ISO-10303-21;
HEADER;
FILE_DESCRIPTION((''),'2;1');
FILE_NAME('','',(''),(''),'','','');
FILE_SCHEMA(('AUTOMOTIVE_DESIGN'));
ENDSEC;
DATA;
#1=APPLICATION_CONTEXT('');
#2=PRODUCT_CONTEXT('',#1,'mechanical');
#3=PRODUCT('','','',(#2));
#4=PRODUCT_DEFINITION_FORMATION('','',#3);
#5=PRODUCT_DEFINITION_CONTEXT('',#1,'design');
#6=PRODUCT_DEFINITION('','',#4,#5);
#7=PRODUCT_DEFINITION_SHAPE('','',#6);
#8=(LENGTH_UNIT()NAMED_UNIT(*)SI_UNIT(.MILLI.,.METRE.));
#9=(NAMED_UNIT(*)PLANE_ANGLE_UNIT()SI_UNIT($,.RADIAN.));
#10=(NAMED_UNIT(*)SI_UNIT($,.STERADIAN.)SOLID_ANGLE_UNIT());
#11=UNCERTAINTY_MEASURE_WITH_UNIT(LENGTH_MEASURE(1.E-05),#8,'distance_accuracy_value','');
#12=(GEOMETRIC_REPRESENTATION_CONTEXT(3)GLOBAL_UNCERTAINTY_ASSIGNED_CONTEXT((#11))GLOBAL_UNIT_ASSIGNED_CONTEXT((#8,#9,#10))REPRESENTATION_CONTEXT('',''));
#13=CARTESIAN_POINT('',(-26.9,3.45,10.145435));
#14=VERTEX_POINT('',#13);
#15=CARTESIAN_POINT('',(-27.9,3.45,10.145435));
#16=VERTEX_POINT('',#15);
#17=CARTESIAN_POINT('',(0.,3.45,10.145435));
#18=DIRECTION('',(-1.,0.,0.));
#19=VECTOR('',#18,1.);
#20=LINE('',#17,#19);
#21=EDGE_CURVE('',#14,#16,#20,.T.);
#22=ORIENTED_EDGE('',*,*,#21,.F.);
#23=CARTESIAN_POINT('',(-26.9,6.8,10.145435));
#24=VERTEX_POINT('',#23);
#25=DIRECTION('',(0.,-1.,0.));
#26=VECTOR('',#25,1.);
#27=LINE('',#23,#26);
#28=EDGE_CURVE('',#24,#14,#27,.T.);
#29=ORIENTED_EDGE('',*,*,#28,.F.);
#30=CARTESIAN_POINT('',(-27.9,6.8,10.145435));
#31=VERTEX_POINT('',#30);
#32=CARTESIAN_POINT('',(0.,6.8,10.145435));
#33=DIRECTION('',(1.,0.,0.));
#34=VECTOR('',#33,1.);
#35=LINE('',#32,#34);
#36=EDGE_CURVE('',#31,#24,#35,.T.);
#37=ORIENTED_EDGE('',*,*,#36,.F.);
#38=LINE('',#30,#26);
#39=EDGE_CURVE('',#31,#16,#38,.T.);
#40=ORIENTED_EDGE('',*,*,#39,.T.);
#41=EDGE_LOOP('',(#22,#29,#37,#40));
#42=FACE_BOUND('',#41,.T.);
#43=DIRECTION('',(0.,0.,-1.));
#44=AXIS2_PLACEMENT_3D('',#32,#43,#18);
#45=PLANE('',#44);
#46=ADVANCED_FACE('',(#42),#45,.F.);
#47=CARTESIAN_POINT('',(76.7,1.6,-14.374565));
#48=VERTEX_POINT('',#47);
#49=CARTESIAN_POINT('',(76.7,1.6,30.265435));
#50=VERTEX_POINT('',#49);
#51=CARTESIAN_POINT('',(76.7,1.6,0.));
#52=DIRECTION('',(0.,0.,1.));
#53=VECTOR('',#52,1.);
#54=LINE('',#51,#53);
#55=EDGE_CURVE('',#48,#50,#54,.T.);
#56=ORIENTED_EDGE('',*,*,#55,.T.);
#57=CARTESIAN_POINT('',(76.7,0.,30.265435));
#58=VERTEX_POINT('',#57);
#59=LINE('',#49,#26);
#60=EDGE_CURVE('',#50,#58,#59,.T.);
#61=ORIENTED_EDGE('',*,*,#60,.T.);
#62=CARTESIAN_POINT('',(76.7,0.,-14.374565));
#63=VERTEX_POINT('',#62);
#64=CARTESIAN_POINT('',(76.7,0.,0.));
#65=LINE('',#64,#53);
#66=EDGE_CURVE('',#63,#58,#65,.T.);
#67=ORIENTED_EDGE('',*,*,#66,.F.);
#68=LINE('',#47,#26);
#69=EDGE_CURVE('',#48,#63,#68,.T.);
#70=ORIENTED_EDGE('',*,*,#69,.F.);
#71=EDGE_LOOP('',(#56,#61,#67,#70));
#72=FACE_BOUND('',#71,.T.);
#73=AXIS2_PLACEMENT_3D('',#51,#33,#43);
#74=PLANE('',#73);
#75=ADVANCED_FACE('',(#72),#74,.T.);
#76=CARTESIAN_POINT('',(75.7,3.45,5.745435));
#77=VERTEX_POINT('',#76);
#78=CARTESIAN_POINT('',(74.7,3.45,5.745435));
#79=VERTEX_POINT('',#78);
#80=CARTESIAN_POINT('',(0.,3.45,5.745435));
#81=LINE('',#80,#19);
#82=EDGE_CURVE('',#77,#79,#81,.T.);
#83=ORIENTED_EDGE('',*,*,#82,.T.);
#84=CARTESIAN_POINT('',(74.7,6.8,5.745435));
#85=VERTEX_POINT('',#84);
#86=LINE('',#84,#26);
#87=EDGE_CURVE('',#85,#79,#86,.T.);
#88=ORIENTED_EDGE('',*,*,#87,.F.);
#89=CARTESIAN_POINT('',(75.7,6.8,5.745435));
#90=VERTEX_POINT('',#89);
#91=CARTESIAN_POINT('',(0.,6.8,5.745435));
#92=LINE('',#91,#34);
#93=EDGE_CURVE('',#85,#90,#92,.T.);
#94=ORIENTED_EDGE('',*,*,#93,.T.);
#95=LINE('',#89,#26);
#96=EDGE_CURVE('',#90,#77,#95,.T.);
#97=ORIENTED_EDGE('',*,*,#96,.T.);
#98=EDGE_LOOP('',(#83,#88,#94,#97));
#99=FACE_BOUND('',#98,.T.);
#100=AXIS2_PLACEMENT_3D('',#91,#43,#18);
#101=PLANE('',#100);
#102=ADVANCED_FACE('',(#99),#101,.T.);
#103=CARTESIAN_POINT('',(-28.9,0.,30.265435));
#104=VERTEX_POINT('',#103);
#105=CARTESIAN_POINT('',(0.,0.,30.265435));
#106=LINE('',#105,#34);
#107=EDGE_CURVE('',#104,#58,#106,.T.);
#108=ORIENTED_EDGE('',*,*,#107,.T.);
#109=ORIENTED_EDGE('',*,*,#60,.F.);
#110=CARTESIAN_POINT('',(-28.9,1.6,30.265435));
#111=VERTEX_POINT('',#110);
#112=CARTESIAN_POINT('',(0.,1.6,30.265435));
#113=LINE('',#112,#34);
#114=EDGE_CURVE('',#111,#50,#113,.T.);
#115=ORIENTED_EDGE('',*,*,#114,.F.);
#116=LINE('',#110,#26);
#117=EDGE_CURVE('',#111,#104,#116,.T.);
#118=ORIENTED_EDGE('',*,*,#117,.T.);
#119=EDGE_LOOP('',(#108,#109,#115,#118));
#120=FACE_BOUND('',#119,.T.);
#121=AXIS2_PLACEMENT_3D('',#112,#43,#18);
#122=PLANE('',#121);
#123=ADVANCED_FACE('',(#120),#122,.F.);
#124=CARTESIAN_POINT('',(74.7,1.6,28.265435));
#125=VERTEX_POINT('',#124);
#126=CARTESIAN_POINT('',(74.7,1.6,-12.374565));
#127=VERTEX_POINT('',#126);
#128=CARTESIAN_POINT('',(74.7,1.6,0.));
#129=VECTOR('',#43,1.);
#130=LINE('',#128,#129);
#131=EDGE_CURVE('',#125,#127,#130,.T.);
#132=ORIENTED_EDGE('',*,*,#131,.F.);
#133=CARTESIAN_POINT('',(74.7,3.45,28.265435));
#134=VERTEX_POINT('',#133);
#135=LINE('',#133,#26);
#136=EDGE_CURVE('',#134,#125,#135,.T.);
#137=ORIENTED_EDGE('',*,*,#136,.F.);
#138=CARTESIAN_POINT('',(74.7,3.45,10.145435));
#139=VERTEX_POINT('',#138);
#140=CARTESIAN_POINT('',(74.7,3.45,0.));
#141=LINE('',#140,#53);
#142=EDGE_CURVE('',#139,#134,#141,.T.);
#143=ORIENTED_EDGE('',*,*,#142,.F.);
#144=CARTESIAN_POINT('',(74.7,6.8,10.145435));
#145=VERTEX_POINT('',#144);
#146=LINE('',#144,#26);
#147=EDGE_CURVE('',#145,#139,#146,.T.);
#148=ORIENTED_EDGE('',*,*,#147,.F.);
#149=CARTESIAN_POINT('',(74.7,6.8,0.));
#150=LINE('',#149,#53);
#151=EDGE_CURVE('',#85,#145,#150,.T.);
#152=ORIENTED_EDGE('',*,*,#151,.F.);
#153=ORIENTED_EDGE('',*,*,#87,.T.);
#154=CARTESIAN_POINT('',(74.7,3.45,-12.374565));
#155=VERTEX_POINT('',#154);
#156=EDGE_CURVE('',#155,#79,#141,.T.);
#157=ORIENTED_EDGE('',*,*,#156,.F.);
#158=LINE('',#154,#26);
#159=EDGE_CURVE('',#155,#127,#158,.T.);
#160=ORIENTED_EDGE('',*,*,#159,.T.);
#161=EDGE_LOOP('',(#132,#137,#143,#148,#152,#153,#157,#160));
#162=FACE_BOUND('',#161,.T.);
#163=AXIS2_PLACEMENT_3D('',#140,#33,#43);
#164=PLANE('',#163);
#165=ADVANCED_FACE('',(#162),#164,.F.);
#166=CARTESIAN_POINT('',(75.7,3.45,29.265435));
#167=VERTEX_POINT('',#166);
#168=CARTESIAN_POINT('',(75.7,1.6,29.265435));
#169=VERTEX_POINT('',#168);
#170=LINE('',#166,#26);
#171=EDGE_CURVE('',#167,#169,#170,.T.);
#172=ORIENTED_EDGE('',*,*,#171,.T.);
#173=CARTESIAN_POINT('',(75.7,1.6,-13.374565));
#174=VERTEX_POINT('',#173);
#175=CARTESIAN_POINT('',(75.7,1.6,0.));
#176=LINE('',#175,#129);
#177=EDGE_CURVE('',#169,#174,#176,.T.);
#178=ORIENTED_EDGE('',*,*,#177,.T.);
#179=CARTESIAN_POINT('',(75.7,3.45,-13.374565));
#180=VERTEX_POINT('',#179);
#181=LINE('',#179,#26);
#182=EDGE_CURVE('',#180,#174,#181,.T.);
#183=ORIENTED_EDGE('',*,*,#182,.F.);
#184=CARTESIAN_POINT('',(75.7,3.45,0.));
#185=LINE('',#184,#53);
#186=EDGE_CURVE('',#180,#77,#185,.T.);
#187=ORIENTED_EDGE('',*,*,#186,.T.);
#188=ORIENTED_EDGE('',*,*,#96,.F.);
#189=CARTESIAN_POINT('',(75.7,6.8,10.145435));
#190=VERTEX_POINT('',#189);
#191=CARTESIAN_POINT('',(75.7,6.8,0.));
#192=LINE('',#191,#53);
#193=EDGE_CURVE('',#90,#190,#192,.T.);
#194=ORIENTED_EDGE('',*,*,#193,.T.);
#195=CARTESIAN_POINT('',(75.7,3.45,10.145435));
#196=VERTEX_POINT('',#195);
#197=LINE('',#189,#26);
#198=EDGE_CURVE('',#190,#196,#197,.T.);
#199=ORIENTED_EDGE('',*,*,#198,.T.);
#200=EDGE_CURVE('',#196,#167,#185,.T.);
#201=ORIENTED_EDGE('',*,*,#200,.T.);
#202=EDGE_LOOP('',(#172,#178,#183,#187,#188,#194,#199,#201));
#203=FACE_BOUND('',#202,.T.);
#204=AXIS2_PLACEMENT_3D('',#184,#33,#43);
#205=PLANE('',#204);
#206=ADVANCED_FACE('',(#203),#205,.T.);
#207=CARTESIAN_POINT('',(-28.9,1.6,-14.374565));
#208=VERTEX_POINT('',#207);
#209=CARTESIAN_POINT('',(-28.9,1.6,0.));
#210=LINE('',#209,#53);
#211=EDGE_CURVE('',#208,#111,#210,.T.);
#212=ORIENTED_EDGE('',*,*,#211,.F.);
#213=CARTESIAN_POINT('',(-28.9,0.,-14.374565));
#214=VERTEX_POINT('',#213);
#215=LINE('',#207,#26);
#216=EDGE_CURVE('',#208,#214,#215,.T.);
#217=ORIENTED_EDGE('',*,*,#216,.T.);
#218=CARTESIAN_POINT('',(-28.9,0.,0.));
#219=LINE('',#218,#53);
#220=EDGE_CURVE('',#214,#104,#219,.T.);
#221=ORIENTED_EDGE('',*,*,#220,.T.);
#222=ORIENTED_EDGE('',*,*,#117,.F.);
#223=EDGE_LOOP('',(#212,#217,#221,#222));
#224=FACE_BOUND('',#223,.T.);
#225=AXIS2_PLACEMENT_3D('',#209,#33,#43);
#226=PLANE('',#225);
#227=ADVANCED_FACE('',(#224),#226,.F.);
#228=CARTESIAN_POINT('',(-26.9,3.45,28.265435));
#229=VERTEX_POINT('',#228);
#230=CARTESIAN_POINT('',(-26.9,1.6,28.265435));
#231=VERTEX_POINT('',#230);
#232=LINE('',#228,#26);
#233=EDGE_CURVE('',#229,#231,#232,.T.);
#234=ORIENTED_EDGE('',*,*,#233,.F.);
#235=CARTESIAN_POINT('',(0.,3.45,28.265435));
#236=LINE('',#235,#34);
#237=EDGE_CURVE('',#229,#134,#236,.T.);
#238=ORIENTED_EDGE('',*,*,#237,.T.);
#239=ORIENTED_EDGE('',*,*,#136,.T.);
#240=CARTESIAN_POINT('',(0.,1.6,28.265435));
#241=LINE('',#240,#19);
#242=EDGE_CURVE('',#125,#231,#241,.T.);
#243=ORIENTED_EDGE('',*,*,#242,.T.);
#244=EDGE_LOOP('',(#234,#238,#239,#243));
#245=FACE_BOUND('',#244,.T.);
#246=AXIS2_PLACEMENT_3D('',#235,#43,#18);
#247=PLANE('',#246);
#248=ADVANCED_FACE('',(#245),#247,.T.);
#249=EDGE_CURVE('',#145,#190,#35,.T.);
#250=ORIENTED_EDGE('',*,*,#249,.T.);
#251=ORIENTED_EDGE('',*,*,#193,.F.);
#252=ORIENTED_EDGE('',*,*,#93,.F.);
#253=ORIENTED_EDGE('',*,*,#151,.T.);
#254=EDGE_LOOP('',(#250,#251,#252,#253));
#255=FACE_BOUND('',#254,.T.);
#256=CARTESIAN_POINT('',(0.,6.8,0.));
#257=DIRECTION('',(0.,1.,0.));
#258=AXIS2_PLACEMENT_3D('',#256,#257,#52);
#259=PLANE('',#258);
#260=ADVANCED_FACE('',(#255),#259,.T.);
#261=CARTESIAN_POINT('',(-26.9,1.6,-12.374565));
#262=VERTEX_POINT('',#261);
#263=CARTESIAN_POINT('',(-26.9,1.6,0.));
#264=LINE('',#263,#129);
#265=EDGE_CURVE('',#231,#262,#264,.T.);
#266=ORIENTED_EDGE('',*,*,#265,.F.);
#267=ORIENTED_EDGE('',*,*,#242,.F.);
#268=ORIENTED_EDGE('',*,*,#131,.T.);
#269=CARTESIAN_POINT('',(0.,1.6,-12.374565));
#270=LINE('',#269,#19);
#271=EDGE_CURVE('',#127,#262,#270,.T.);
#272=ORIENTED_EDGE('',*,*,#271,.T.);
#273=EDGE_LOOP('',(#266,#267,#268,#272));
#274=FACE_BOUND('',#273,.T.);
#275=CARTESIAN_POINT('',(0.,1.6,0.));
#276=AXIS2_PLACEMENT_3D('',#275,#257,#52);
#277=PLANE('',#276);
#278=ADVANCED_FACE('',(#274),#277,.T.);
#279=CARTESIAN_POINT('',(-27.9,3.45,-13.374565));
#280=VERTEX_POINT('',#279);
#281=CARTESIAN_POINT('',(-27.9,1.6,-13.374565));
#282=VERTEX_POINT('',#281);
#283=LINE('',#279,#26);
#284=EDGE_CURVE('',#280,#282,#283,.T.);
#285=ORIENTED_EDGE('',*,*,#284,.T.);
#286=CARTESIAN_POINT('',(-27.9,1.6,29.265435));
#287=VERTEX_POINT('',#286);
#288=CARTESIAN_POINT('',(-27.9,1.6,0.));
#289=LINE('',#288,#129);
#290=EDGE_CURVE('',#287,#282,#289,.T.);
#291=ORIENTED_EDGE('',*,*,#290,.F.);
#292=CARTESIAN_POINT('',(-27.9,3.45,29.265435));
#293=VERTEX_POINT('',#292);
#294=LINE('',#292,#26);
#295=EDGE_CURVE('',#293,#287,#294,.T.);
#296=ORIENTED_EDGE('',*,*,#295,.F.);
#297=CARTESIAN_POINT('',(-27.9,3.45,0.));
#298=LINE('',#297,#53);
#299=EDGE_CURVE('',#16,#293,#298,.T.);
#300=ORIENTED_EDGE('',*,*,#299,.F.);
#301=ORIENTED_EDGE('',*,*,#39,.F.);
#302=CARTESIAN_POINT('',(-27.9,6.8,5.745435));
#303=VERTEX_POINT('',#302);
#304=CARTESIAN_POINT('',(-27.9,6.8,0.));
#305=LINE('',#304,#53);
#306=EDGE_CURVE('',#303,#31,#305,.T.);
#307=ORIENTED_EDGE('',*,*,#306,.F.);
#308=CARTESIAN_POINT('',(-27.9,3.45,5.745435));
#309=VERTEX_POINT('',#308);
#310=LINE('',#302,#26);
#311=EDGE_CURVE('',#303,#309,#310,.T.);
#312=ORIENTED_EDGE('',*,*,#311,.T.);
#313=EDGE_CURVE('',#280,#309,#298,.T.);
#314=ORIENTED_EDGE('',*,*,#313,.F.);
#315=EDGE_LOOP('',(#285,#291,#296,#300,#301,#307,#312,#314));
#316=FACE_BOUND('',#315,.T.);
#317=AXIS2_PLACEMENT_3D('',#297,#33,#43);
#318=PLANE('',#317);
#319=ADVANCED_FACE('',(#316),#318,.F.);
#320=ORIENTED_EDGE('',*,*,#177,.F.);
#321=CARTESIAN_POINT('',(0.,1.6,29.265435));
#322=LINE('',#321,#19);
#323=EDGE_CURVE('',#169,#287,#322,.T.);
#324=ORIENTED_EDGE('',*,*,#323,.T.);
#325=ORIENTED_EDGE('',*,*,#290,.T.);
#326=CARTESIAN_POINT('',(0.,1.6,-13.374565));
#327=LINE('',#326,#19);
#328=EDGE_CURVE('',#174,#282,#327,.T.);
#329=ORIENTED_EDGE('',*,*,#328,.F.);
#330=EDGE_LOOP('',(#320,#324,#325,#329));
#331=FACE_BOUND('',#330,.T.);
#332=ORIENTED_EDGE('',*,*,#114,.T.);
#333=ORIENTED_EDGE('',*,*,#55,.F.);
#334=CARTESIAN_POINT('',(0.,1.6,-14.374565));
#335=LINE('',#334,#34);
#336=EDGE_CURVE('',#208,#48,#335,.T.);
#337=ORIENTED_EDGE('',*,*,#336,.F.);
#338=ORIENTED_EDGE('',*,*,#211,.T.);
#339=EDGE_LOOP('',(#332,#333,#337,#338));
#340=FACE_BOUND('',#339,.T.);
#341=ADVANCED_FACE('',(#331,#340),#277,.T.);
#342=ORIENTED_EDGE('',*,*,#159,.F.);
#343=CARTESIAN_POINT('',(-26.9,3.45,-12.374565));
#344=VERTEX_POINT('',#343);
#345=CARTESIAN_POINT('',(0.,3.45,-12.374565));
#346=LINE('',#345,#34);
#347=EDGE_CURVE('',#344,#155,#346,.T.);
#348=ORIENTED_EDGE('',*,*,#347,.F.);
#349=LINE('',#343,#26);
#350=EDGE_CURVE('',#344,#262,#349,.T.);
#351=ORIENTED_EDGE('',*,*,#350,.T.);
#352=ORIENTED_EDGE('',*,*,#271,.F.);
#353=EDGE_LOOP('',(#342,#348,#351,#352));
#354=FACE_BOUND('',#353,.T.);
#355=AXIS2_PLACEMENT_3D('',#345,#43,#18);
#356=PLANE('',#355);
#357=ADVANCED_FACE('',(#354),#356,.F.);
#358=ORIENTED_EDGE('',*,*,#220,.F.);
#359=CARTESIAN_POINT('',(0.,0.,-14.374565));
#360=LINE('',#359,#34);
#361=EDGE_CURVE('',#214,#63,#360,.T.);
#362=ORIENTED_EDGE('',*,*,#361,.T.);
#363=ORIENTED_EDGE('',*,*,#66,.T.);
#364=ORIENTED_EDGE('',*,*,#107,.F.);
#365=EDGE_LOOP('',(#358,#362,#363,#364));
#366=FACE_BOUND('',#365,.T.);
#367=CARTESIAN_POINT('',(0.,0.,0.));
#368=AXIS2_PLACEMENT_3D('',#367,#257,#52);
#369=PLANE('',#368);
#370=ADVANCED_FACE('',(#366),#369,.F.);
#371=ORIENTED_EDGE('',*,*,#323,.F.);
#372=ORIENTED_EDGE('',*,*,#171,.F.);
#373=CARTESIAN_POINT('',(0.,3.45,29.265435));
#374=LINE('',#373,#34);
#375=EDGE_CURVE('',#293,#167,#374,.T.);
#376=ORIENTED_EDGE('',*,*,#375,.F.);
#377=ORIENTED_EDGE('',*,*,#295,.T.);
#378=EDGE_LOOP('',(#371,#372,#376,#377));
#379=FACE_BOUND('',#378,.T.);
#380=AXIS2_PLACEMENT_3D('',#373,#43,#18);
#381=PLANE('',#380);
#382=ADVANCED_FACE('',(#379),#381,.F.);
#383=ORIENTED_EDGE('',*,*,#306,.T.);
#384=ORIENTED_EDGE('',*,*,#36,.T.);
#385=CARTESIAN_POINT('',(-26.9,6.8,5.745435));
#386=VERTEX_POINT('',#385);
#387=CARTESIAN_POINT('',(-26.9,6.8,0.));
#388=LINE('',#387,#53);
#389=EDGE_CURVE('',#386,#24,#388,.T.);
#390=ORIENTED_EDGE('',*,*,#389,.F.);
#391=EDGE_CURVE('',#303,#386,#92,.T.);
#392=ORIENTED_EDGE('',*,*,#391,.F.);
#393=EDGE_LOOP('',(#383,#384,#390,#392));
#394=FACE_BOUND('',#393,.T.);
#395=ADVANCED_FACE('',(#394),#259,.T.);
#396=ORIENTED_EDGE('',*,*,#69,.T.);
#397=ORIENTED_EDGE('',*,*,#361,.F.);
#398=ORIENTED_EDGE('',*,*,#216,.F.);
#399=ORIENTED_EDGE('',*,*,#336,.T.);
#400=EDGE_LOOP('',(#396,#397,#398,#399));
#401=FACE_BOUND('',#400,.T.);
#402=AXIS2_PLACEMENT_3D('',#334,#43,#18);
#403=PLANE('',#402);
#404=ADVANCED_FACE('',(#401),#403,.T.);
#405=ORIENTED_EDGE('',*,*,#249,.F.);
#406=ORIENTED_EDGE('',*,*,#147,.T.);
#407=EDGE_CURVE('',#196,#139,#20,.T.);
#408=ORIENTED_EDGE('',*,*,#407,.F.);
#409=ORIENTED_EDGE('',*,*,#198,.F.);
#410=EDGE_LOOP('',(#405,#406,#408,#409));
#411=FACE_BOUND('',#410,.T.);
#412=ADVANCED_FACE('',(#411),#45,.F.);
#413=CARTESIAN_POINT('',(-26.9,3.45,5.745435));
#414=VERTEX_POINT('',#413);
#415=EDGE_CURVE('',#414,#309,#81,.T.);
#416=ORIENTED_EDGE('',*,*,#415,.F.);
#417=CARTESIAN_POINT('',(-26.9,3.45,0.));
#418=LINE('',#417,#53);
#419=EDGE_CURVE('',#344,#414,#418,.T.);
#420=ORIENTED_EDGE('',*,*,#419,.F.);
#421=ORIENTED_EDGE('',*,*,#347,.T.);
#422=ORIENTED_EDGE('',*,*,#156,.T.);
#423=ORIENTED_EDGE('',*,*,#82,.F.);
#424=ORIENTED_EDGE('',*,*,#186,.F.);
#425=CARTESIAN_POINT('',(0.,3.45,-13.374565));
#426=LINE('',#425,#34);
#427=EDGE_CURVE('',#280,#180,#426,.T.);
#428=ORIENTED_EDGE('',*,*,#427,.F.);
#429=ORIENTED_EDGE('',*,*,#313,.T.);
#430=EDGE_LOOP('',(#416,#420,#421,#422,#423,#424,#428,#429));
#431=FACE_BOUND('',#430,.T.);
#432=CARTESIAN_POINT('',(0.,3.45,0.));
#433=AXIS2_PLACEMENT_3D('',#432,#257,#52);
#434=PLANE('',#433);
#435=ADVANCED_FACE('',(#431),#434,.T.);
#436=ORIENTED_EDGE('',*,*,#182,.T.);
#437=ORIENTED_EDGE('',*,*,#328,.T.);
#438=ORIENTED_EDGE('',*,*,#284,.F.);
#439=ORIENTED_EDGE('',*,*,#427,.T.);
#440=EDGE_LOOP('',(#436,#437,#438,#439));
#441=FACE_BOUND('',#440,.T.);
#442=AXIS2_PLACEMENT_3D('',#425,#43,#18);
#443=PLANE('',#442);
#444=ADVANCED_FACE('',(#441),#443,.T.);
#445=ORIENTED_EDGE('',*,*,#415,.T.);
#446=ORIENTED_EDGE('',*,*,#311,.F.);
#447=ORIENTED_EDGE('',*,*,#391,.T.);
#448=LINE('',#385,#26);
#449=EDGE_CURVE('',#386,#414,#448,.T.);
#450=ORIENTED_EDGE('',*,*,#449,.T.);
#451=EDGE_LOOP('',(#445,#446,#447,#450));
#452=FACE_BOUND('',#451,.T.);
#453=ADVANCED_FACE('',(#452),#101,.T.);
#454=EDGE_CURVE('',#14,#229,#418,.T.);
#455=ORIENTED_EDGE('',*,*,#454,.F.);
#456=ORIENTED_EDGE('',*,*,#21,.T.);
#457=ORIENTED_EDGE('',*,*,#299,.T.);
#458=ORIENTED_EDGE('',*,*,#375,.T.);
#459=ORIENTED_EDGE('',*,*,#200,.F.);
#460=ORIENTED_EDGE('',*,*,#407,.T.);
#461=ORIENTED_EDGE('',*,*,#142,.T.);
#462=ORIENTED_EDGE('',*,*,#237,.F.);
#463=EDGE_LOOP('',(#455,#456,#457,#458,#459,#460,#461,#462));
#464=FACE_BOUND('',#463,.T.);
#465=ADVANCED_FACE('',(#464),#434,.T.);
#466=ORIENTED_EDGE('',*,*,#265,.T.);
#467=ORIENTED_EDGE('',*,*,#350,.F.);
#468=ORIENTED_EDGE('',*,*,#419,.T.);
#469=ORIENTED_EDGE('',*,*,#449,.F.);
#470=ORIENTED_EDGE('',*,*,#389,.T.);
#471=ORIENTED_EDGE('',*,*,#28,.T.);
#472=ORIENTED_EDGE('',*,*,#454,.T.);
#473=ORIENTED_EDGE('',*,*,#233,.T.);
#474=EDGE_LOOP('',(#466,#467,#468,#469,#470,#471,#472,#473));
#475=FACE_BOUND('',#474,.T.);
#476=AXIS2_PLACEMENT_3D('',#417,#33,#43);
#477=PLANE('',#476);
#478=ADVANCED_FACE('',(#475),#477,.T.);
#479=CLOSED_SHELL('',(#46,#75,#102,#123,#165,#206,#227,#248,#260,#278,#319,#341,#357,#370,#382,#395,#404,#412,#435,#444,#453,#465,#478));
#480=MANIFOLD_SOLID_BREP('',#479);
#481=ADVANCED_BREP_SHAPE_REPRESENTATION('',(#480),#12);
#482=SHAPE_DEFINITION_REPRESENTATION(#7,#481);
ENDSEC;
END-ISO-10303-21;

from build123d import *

# Parameters (mm, degrees)
SKETCH1_W           = 105.6
SKETCH1_H           = 44.64
BOSS_EXTRUDE1_DEPTH = 1.6
SKETCH1_3_W         = 103.6
SKETCH1_3_H         = 42.64
SKETCH1_3_W_2       = 101.6
SKETCH1_3_H_2       = 40.64
BOSS_EXTRUDE2_DEPTH = 3.45
SKETCH1_4_W         = 1
SKETCH1_4_H         = 4.4
BOSS_EXTRUDE3_DEPTH = 6.8


with BuildPart() as part:
    # Sketch1 → Boss-Extrude1 (new body)
    with BuildSketch(Plane(origin=(0, 0, 0), x_dir=(1, 0, 0), z_dir=(0, 1, 0))):
        with Locations((23.9, -7.945434783)):
            Rectangle(SKETCH1_W, SKETCH1_H)
    extrude(amount=BOSS_EXTRUDE1_DEPTH)

    # Sketch1<3> → Boss-Extrude2 (add)
    with BuildSketch(Plane(origin=(0, 0, 0), x_dir=(1, 0, 0), z_dir=(0, 1, 0))):
        with Locations((23.9, -7.945434783)):
            Rectangle(SKETCH1_3_W, SKETCH1_3_H)
        with Locations((23.9, -7.945434783)):
            Rectangle(SKETCH1_3_W_2, SKETCH1_3_H_2, mode=Mode.SUBTRACT)
    extrude(amount=BOSS_EXTRUDE2_DEPTH)

    # Sketch1<4> → Boss-Extrude3 (add)
    with BuildSketch(Plane(origin=(0, 0, 0), x_dir=(1, 0, 0), z_dir=(0, 1, 0))):
        with Locations((-27.4, -7.945434783)):
            Rectangle(SKETCH1_4_W, SKETCH1_4_H)
        with Locations((75.2, -7.945434783)):
            Rectangle(SKETCH1_4_W, SKETCH1_4_H)
    extrude(amount=BOSS_EXTRUDE3_DEPTH)


solid = part.part
